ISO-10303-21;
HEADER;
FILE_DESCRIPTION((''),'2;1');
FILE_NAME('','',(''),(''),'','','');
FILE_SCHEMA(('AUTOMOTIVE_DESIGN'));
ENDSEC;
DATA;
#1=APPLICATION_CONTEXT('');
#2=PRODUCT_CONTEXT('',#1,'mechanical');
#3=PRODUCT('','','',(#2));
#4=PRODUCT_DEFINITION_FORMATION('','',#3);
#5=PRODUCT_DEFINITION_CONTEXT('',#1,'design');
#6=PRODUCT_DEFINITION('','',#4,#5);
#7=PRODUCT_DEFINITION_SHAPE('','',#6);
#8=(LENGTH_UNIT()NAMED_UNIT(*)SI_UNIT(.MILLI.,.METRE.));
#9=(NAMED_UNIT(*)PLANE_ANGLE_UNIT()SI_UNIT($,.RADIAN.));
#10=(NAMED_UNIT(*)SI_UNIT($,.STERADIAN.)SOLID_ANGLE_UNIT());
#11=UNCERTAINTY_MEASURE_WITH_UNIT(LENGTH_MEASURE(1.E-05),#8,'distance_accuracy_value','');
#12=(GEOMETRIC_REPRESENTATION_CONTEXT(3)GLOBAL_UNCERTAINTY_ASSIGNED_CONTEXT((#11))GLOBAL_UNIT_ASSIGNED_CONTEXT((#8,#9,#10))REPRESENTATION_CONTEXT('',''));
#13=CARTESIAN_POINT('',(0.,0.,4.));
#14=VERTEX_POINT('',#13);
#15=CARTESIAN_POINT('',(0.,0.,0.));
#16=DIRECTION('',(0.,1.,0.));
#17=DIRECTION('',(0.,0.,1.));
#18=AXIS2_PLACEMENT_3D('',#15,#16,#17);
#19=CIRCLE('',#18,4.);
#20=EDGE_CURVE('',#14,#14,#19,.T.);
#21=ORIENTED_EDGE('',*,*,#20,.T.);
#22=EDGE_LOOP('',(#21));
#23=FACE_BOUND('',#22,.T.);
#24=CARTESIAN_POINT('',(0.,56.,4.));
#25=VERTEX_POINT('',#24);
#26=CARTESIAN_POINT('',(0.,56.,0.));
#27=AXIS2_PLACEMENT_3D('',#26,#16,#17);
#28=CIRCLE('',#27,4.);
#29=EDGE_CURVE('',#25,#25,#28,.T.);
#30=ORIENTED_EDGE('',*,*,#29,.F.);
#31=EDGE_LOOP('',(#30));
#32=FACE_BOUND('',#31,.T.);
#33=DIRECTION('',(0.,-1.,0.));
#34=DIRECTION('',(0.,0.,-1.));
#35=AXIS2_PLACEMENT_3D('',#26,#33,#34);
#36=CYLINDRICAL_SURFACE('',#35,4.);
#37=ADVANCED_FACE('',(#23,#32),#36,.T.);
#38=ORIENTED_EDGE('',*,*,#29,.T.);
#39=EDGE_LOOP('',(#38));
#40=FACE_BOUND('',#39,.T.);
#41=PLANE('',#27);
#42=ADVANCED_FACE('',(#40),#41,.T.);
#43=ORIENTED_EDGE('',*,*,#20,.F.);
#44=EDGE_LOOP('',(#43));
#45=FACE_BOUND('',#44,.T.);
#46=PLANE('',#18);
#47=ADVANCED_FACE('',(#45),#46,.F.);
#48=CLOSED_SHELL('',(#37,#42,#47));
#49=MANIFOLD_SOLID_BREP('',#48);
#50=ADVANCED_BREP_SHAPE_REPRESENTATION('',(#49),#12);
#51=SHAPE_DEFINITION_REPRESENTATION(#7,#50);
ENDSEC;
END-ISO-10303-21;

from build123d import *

# Parameters (mm, degrees)
SKETCH_1_R      = 4
EXTRUDE_1_DEPTH = 56


with BuildPart() as part:
    # 草图1 → 凸台-拉伸1 (new body)
    with BuildSketch(Plane(origin=(0, 0, 0), x_dir=(1, 0, 0), z_dir=(0, 1, 0))):
        with Locations(Location((0, 0, 0), (0, 0, 270))):
            Circle(SKETCH_1_R)
    extrude(amount=EXTRUDE_1_DEPTH)


solid = part.part
